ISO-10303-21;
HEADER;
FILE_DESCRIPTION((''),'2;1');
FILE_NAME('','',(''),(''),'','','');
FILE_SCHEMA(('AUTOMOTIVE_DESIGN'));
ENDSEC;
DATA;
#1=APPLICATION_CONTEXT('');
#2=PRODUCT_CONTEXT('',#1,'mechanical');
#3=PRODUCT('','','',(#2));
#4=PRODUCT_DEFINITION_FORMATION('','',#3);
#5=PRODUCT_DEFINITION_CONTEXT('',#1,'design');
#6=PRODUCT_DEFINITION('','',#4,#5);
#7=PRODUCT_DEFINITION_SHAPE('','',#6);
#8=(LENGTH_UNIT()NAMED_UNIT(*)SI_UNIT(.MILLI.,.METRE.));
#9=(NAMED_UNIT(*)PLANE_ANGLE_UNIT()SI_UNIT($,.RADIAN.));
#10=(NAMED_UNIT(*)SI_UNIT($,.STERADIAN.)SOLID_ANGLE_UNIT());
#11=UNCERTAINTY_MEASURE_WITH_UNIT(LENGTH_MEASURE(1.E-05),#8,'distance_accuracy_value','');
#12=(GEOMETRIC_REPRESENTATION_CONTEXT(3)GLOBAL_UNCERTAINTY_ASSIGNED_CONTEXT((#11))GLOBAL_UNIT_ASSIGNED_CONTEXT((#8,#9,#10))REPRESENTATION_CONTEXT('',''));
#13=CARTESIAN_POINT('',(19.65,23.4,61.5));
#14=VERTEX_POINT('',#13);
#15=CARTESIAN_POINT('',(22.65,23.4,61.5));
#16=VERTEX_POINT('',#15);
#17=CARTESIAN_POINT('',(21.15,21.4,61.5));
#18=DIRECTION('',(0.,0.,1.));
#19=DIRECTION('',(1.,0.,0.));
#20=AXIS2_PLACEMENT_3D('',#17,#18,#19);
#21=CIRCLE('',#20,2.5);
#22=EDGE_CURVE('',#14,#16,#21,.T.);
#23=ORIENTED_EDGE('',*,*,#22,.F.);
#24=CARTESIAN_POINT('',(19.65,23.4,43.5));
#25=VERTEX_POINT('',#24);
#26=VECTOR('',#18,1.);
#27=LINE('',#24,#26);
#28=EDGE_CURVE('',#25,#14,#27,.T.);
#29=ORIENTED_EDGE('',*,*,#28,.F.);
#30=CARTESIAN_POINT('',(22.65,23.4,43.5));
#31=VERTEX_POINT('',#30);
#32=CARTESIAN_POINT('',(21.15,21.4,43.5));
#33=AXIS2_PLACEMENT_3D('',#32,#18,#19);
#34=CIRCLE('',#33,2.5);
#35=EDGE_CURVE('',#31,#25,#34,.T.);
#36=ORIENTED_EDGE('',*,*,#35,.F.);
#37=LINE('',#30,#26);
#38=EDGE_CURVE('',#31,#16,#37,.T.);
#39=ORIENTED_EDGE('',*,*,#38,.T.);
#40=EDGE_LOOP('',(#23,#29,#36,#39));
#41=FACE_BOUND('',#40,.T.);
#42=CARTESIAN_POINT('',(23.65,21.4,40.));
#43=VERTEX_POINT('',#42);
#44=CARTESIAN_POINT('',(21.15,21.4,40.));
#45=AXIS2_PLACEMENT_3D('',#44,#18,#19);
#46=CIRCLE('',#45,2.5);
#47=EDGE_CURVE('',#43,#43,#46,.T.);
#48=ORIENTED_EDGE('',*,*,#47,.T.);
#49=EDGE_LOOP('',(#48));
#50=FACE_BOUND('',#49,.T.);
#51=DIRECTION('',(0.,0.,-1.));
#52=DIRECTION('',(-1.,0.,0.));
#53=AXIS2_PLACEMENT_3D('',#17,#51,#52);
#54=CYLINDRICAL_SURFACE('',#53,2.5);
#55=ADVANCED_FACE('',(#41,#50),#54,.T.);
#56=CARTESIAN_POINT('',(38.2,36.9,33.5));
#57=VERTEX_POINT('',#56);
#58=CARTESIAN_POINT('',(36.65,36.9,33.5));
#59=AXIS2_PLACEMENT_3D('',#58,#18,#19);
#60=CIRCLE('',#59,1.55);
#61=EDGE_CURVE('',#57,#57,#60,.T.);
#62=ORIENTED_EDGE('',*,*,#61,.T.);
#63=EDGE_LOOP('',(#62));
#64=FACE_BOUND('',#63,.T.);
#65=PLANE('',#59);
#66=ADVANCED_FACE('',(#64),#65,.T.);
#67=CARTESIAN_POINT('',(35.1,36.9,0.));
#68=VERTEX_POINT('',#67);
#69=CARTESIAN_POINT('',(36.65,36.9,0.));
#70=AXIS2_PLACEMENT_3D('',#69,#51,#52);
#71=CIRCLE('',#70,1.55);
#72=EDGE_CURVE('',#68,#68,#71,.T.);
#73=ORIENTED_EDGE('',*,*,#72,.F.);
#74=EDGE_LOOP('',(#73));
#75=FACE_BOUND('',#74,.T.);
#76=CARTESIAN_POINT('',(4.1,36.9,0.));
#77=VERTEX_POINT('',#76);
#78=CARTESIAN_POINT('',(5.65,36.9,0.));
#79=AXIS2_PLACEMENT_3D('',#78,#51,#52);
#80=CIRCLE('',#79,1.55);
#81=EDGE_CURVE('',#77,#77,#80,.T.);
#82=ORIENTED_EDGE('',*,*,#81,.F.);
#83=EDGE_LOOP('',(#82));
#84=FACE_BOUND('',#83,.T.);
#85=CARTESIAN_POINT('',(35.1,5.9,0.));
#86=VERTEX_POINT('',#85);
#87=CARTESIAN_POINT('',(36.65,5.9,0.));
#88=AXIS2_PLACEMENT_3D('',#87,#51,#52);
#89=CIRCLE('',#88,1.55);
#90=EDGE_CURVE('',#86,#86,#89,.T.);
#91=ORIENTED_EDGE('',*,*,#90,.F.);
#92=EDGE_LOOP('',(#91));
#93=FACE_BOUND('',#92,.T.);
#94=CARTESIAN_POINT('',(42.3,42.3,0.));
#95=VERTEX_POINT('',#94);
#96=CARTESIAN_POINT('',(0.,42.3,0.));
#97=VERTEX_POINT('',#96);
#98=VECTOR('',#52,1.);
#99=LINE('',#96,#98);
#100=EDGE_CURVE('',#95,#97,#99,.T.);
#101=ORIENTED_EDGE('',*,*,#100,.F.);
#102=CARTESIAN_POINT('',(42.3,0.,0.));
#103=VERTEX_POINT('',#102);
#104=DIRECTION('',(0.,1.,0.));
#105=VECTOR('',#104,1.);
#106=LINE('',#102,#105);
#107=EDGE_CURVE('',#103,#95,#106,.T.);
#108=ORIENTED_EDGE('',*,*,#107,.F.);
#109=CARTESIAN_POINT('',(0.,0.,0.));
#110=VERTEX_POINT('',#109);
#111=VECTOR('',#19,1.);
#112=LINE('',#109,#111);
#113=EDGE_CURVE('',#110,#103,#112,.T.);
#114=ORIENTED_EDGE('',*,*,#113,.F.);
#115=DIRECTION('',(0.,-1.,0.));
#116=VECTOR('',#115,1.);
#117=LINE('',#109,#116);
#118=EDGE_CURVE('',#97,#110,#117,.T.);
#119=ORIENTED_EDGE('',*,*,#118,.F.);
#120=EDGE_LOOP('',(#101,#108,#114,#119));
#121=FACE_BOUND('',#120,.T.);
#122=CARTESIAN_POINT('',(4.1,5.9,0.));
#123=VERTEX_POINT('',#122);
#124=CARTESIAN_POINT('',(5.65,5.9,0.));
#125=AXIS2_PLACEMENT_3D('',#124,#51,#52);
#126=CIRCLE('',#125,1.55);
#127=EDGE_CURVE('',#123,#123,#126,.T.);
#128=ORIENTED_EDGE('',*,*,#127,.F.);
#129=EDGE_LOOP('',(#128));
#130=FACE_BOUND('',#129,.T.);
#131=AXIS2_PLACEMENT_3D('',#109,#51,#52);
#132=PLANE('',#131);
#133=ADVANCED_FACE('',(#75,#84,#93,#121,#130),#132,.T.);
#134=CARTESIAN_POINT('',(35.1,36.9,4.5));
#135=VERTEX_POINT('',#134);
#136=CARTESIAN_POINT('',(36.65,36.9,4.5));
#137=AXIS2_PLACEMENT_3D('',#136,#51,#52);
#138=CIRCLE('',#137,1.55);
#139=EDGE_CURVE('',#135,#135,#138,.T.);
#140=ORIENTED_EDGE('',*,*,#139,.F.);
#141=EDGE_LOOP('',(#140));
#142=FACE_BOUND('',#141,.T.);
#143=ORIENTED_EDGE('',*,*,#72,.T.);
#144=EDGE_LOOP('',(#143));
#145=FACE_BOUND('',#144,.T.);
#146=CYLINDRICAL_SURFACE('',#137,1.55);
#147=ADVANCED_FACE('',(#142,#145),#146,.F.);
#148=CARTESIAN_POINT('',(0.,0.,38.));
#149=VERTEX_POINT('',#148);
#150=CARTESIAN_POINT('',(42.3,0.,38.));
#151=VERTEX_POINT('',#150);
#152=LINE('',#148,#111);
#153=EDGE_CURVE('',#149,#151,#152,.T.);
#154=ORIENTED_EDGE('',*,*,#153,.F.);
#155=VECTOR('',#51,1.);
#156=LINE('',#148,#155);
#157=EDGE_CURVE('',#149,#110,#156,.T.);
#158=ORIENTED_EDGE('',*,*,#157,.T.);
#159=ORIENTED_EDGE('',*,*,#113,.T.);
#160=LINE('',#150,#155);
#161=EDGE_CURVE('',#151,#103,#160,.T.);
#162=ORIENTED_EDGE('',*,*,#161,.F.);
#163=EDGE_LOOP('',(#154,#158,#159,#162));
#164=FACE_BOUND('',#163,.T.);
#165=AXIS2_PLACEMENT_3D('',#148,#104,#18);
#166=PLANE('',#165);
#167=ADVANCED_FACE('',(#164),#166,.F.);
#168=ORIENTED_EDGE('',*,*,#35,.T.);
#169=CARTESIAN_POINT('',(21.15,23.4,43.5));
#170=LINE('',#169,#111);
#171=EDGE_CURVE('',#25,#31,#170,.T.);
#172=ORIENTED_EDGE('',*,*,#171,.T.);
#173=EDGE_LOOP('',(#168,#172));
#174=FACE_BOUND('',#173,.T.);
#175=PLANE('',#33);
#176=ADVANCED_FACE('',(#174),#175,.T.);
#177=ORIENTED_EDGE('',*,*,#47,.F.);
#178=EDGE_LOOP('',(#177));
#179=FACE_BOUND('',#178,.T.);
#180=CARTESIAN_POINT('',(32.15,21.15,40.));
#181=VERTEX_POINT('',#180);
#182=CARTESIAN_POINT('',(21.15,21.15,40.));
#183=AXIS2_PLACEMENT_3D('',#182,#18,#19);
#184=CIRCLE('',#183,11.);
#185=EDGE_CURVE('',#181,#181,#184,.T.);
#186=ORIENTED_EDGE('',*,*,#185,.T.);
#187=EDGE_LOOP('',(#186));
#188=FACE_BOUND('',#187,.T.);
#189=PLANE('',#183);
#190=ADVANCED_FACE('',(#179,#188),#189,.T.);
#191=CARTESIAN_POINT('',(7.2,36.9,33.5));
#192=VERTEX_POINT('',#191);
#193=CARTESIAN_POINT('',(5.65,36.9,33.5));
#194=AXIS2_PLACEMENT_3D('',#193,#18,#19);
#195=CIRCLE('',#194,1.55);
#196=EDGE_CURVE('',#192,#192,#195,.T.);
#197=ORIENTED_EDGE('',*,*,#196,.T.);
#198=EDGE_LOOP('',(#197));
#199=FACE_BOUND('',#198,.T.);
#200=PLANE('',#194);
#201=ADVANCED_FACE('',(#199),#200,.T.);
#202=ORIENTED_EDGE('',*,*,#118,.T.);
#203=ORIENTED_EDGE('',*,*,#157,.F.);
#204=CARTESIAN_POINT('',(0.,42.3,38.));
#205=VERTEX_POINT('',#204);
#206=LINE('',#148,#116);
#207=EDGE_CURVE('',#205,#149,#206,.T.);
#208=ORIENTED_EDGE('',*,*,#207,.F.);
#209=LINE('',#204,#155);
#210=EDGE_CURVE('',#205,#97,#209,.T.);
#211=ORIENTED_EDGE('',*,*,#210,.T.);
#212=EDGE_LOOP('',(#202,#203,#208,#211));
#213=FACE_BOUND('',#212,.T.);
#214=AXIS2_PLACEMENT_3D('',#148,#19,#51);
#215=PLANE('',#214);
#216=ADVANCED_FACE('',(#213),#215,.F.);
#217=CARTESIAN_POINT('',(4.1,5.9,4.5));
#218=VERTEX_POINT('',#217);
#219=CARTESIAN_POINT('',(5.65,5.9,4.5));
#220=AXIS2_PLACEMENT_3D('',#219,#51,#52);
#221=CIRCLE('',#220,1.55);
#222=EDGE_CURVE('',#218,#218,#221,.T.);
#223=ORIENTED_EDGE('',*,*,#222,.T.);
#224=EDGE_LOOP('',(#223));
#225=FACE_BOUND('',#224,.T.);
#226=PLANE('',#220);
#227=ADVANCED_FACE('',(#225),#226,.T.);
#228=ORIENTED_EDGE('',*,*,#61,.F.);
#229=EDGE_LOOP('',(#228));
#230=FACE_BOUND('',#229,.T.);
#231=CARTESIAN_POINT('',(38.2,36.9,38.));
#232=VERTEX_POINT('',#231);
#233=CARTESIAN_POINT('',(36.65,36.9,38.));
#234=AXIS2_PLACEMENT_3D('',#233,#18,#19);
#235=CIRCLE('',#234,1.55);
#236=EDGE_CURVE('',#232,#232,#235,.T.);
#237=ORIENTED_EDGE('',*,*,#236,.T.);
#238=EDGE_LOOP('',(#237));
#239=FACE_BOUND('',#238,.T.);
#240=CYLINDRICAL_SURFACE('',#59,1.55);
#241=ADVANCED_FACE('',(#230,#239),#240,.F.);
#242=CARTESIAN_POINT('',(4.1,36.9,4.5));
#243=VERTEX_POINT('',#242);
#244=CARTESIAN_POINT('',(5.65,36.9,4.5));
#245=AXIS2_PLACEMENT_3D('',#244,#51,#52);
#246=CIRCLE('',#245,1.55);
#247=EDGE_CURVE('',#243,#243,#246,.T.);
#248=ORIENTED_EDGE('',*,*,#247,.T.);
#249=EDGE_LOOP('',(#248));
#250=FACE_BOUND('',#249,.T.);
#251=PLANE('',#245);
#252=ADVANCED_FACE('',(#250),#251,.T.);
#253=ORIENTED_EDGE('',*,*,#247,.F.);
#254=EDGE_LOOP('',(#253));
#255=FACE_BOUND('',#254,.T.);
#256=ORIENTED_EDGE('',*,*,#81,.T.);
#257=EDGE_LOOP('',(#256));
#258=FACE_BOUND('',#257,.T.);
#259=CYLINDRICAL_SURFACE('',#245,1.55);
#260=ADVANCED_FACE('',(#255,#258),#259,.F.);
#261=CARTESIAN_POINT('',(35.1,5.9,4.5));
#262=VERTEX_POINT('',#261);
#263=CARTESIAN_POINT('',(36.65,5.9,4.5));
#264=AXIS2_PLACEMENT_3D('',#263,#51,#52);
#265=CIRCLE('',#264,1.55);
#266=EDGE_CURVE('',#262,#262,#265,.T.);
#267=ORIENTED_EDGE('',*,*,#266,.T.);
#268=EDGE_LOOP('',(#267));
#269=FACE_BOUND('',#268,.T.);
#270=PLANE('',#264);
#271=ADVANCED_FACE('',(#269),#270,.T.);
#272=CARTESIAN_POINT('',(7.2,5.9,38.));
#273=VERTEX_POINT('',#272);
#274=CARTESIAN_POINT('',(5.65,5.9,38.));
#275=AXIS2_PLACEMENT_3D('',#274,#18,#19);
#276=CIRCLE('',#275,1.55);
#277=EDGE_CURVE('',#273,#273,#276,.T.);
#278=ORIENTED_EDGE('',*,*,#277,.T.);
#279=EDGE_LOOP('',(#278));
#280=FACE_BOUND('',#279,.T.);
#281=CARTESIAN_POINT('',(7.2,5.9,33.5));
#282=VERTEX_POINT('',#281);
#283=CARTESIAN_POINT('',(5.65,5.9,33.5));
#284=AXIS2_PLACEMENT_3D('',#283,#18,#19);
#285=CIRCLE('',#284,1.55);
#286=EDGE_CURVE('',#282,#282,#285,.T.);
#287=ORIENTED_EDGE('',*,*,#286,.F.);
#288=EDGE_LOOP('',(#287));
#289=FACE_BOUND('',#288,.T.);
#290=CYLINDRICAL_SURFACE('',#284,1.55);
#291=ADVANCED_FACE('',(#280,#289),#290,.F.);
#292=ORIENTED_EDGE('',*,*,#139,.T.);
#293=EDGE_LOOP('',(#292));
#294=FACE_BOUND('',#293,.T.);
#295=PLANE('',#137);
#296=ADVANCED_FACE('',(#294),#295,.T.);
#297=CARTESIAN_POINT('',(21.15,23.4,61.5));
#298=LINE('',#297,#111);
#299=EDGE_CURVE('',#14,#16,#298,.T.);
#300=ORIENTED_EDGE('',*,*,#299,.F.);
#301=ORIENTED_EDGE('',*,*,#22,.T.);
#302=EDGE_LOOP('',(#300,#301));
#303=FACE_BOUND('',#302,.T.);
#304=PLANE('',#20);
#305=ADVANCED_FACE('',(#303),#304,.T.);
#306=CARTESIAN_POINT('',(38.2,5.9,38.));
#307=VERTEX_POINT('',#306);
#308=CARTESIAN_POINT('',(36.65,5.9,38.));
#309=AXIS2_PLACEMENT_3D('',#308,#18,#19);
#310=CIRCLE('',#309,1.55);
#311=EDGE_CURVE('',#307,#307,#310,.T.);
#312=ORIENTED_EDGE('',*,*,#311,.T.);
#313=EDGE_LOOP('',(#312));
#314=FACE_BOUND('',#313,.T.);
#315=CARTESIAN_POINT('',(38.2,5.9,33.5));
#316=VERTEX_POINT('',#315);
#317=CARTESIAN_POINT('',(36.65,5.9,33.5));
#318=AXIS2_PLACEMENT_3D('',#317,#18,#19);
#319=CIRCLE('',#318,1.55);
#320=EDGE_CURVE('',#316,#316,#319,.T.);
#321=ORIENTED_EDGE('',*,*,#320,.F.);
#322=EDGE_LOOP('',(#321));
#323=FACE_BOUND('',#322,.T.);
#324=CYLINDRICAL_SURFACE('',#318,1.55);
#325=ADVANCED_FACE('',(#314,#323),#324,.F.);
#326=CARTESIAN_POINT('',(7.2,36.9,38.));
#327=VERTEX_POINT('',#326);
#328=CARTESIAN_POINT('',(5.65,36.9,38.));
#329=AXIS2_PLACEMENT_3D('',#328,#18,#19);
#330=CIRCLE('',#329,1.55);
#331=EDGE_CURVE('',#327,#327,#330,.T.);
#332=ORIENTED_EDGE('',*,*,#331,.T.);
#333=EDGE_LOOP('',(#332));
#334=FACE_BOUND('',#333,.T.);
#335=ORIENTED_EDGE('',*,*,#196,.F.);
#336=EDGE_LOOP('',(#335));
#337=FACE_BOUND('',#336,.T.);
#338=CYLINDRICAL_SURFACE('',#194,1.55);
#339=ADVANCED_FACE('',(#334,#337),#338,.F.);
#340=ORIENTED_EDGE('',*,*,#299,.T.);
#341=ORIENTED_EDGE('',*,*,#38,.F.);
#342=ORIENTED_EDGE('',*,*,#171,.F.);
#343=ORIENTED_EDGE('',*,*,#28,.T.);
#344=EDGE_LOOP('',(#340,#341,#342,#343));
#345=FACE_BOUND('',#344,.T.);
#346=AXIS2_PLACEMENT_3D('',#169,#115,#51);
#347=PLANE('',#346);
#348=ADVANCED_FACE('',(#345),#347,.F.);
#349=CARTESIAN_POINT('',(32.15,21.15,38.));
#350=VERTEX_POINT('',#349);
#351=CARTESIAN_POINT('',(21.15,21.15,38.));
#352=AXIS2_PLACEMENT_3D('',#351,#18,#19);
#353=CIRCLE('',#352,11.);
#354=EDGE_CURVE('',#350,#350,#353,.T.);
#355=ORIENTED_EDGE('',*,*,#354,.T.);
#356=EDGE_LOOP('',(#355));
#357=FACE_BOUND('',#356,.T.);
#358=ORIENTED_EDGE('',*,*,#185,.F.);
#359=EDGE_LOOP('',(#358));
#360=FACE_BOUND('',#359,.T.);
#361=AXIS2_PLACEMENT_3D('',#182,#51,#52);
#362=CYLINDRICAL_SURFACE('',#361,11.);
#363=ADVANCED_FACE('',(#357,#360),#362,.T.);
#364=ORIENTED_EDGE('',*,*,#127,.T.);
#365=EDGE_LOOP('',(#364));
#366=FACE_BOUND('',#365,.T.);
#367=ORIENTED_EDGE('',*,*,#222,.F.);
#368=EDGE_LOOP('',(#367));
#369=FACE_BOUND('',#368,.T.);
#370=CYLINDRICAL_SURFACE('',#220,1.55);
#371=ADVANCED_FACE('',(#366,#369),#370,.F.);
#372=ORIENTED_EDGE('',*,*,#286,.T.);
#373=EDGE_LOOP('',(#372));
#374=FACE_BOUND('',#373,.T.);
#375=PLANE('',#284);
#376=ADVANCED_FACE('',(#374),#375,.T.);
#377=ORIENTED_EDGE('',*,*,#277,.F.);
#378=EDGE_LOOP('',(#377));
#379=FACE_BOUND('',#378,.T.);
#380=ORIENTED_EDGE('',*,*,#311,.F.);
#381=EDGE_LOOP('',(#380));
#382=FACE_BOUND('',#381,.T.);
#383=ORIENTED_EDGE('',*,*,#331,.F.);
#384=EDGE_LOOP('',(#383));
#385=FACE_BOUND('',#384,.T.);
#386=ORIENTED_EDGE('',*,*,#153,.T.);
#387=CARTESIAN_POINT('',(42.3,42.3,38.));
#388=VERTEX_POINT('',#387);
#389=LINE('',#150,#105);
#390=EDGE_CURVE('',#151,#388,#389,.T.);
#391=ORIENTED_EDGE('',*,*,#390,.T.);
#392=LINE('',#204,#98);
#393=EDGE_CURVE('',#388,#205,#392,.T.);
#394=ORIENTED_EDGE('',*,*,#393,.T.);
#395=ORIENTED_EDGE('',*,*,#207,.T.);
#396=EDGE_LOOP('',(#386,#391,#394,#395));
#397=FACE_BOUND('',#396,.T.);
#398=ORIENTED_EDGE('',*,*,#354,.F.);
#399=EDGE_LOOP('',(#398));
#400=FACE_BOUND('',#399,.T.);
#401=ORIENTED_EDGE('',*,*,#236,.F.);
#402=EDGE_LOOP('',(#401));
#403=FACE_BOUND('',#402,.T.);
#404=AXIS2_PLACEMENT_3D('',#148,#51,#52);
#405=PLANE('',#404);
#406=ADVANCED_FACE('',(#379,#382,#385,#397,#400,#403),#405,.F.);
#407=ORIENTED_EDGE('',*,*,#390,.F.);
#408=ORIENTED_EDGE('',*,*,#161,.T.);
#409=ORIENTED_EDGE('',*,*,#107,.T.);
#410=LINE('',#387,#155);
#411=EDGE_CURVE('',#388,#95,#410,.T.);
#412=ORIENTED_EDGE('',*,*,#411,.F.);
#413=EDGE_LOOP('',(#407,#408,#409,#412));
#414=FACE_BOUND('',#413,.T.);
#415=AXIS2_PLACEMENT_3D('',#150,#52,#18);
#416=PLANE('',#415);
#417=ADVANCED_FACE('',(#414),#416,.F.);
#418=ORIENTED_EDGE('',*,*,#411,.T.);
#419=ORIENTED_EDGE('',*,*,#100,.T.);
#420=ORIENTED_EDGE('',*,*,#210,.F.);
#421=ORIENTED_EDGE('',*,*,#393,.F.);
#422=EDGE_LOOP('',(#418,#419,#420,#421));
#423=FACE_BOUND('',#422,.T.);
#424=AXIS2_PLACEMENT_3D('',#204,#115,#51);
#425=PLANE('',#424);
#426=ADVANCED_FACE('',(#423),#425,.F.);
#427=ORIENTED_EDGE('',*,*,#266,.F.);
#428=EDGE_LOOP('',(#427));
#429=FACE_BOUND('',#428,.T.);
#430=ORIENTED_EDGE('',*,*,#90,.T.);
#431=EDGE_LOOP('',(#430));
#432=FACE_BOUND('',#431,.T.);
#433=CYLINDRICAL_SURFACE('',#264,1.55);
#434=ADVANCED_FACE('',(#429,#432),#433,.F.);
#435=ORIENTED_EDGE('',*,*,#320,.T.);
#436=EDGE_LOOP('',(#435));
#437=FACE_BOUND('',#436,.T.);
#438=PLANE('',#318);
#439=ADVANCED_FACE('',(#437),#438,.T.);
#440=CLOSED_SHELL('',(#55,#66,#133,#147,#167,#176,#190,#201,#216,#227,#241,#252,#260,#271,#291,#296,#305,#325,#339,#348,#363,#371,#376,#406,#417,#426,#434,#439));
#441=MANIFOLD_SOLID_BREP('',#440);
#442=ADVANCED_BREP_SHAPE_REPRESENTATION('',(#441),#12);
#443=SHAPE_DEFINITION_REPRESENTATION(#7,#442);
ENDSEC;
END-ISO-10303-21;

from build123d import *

# Parameters (mm, degrees)
SKETCH1_W           = 42.3
SKETCH1_H           = 42.3
BOSS_EXTRUDE1_DEPTH = 38
SKETCH2_R           = 11
BOSS_EXTRUDE2_DEPTH = 2
SKETCH3_R           = 2.5
BOSS_EXTRUDE4_DEPTH = 21.5
CUT_EXTRUDE1_START  = -18
CUT_EXTRUDE1_DEPTH  = 18
SKETCH5_R           = 1.55
CUT_EXTRUDE2_DEPTH  = 4.5
SKETCH6_OUTSIDE_W   = 61.46
SKETCH6_OUTSIDE_H   = 61.46
SKETCH6_OUTSIDE_W_2 = 42.3
SKETCH6_OUTSIDE_H_2 = 42.3
SKETCH6_OUTSIDE_R   = 1.55
CUT_EXTRUDE3_DEPTH  = 4.5


with BuildPart() as part:
    # Sketch1 → Boss-Extrude1 (new body)
    with BuildSketch(Plane.XY):
        with Locations((21.15, 21.15)):
            Rectangle(SKETCH1_W, SKETCH1_H)
    extrude(amount=BOSS_EXTRUDE1_DEPTH)

    # Sketch2 → Boss-Extrude2 (add)
    with BuildSketch(Plane.XY.offset(38)):
        with Locations((21.15, 21.15)):
            Circle(SKETCH2_R)
    extrude(amount=BOSS_EXTRUDE2_DEPTH)

    # Sketch3 → Boss-Extrude4 (add)
    with BuildSketch(Plane.XY.offset(40)):
        with Locations((21.15, 21.4)):
            Circle(SKETCH3_R)
    extrude(amount=BOSS_EXTRUDE4_DEPTH)

    # Sketch4 → Cut-Extrude1 (cut)
    with BuildSketch(Plane.XY.offset(61.5).offset(CUT_EXTRUDE1_START)):
        with BuildLine():
            Line((21.15, 23.4), (22.65, 23.4))
            ThreePointArc((22.65, 23.4), (21.15, 23.9), (19.65, 23.4))
            Line((19.65, 23.4), (21.15, 23.4))
        make_face()
    extrude(amount=CUT_EXTRUDE1_DEPTH, mode=Mode.SUBTRACT)

    # Sketch5 → Cut-Extrude2 (cut)
    with BuildSketch(Plane.XY.offset(38)):
        with Locations((5.65, 36.9)):
            Circle(SKETCH5_R)
        with Locations((36.65, 36.9)):
            Circle(SKETCH5_R)
        with Locations((36.65, 5.9)):
            Circle(SKETCH5_R)
        with Locations((5.65, 5.9)):
            Circle(SKETCH5_R)
    extrude(amount=-CUT_EXTRUDE2_DEPTH, mode=Mode.SUBTRACT)

    # Sketch6 outside → Cut-Extrude3 (cut)
    # profile 1 of 5: a face of its own
    with BuildSketch(Plane(origin=(0, 0, 0), x_dir=(-1, 0, 0), z_dir=(0, 0, -1))):
        with Locations((-21.15, 21.15)):
            Rectangle(SKETCH6_OUTSIDE_W, SKETCH6_OUTSIDE_H)
        with Locations((-21.15, 21.15)):
            Rectangle(SKETCH6_OUTSIDE_W_2, SKETCH6_OUTSIDE_H_2, mode=Mode.SUBTRACT)
    # profile 2 of 5: a face of its own
    with BuildSketch(Plane(origin=(0, 0, 0), x_dir=(-1, 0, 0), z_dir=(0, 0, -1))):
        with Locations(Location((-5.65, 36.9, 0), (0, 0, 180))):
            Circle(SKETCH6_OUTSIDE_R)
    # profile 3 of 5: a face of its own
    with BuildSketch(Plane(origin=(0, 0, 0), x_dir=(-1, 0, 0), z_dir=(0, 0, -1))):
        with Locations(Location((-36.65, 36.9, 0), (0, 0, 180))):
            Circle(SKETCH6_OUTSIDE_R)
    # profile 4 of 5: a face of its own
    with BuildSketch(Plane(origin=(0, 0, 0), x_dir=(-1, 0, 0), z_dir=(0, 0, -1))):
        with Locations(Location((-36.65, 5.9, 0), (0, 0, 180))):
            Circle(SKETCH6_OUTSIDE_R)
    # profile 5 of 5: a face of its own
    with BuildSketch(Plane(origin=(0, 0, 0), x_dir=(-1, 0, 0), z_dir=(0, 0, -1))):
        with Locations(Location((-5.65, 5.9, 0), (0, 0, 180))):
            Circle(SKETCH6_OUTSIDE_R)
    extrude(amount=-CUT_EXTRUDE3_DEPTH, mode=Mode.SUBTRACT)


solid = part.part
